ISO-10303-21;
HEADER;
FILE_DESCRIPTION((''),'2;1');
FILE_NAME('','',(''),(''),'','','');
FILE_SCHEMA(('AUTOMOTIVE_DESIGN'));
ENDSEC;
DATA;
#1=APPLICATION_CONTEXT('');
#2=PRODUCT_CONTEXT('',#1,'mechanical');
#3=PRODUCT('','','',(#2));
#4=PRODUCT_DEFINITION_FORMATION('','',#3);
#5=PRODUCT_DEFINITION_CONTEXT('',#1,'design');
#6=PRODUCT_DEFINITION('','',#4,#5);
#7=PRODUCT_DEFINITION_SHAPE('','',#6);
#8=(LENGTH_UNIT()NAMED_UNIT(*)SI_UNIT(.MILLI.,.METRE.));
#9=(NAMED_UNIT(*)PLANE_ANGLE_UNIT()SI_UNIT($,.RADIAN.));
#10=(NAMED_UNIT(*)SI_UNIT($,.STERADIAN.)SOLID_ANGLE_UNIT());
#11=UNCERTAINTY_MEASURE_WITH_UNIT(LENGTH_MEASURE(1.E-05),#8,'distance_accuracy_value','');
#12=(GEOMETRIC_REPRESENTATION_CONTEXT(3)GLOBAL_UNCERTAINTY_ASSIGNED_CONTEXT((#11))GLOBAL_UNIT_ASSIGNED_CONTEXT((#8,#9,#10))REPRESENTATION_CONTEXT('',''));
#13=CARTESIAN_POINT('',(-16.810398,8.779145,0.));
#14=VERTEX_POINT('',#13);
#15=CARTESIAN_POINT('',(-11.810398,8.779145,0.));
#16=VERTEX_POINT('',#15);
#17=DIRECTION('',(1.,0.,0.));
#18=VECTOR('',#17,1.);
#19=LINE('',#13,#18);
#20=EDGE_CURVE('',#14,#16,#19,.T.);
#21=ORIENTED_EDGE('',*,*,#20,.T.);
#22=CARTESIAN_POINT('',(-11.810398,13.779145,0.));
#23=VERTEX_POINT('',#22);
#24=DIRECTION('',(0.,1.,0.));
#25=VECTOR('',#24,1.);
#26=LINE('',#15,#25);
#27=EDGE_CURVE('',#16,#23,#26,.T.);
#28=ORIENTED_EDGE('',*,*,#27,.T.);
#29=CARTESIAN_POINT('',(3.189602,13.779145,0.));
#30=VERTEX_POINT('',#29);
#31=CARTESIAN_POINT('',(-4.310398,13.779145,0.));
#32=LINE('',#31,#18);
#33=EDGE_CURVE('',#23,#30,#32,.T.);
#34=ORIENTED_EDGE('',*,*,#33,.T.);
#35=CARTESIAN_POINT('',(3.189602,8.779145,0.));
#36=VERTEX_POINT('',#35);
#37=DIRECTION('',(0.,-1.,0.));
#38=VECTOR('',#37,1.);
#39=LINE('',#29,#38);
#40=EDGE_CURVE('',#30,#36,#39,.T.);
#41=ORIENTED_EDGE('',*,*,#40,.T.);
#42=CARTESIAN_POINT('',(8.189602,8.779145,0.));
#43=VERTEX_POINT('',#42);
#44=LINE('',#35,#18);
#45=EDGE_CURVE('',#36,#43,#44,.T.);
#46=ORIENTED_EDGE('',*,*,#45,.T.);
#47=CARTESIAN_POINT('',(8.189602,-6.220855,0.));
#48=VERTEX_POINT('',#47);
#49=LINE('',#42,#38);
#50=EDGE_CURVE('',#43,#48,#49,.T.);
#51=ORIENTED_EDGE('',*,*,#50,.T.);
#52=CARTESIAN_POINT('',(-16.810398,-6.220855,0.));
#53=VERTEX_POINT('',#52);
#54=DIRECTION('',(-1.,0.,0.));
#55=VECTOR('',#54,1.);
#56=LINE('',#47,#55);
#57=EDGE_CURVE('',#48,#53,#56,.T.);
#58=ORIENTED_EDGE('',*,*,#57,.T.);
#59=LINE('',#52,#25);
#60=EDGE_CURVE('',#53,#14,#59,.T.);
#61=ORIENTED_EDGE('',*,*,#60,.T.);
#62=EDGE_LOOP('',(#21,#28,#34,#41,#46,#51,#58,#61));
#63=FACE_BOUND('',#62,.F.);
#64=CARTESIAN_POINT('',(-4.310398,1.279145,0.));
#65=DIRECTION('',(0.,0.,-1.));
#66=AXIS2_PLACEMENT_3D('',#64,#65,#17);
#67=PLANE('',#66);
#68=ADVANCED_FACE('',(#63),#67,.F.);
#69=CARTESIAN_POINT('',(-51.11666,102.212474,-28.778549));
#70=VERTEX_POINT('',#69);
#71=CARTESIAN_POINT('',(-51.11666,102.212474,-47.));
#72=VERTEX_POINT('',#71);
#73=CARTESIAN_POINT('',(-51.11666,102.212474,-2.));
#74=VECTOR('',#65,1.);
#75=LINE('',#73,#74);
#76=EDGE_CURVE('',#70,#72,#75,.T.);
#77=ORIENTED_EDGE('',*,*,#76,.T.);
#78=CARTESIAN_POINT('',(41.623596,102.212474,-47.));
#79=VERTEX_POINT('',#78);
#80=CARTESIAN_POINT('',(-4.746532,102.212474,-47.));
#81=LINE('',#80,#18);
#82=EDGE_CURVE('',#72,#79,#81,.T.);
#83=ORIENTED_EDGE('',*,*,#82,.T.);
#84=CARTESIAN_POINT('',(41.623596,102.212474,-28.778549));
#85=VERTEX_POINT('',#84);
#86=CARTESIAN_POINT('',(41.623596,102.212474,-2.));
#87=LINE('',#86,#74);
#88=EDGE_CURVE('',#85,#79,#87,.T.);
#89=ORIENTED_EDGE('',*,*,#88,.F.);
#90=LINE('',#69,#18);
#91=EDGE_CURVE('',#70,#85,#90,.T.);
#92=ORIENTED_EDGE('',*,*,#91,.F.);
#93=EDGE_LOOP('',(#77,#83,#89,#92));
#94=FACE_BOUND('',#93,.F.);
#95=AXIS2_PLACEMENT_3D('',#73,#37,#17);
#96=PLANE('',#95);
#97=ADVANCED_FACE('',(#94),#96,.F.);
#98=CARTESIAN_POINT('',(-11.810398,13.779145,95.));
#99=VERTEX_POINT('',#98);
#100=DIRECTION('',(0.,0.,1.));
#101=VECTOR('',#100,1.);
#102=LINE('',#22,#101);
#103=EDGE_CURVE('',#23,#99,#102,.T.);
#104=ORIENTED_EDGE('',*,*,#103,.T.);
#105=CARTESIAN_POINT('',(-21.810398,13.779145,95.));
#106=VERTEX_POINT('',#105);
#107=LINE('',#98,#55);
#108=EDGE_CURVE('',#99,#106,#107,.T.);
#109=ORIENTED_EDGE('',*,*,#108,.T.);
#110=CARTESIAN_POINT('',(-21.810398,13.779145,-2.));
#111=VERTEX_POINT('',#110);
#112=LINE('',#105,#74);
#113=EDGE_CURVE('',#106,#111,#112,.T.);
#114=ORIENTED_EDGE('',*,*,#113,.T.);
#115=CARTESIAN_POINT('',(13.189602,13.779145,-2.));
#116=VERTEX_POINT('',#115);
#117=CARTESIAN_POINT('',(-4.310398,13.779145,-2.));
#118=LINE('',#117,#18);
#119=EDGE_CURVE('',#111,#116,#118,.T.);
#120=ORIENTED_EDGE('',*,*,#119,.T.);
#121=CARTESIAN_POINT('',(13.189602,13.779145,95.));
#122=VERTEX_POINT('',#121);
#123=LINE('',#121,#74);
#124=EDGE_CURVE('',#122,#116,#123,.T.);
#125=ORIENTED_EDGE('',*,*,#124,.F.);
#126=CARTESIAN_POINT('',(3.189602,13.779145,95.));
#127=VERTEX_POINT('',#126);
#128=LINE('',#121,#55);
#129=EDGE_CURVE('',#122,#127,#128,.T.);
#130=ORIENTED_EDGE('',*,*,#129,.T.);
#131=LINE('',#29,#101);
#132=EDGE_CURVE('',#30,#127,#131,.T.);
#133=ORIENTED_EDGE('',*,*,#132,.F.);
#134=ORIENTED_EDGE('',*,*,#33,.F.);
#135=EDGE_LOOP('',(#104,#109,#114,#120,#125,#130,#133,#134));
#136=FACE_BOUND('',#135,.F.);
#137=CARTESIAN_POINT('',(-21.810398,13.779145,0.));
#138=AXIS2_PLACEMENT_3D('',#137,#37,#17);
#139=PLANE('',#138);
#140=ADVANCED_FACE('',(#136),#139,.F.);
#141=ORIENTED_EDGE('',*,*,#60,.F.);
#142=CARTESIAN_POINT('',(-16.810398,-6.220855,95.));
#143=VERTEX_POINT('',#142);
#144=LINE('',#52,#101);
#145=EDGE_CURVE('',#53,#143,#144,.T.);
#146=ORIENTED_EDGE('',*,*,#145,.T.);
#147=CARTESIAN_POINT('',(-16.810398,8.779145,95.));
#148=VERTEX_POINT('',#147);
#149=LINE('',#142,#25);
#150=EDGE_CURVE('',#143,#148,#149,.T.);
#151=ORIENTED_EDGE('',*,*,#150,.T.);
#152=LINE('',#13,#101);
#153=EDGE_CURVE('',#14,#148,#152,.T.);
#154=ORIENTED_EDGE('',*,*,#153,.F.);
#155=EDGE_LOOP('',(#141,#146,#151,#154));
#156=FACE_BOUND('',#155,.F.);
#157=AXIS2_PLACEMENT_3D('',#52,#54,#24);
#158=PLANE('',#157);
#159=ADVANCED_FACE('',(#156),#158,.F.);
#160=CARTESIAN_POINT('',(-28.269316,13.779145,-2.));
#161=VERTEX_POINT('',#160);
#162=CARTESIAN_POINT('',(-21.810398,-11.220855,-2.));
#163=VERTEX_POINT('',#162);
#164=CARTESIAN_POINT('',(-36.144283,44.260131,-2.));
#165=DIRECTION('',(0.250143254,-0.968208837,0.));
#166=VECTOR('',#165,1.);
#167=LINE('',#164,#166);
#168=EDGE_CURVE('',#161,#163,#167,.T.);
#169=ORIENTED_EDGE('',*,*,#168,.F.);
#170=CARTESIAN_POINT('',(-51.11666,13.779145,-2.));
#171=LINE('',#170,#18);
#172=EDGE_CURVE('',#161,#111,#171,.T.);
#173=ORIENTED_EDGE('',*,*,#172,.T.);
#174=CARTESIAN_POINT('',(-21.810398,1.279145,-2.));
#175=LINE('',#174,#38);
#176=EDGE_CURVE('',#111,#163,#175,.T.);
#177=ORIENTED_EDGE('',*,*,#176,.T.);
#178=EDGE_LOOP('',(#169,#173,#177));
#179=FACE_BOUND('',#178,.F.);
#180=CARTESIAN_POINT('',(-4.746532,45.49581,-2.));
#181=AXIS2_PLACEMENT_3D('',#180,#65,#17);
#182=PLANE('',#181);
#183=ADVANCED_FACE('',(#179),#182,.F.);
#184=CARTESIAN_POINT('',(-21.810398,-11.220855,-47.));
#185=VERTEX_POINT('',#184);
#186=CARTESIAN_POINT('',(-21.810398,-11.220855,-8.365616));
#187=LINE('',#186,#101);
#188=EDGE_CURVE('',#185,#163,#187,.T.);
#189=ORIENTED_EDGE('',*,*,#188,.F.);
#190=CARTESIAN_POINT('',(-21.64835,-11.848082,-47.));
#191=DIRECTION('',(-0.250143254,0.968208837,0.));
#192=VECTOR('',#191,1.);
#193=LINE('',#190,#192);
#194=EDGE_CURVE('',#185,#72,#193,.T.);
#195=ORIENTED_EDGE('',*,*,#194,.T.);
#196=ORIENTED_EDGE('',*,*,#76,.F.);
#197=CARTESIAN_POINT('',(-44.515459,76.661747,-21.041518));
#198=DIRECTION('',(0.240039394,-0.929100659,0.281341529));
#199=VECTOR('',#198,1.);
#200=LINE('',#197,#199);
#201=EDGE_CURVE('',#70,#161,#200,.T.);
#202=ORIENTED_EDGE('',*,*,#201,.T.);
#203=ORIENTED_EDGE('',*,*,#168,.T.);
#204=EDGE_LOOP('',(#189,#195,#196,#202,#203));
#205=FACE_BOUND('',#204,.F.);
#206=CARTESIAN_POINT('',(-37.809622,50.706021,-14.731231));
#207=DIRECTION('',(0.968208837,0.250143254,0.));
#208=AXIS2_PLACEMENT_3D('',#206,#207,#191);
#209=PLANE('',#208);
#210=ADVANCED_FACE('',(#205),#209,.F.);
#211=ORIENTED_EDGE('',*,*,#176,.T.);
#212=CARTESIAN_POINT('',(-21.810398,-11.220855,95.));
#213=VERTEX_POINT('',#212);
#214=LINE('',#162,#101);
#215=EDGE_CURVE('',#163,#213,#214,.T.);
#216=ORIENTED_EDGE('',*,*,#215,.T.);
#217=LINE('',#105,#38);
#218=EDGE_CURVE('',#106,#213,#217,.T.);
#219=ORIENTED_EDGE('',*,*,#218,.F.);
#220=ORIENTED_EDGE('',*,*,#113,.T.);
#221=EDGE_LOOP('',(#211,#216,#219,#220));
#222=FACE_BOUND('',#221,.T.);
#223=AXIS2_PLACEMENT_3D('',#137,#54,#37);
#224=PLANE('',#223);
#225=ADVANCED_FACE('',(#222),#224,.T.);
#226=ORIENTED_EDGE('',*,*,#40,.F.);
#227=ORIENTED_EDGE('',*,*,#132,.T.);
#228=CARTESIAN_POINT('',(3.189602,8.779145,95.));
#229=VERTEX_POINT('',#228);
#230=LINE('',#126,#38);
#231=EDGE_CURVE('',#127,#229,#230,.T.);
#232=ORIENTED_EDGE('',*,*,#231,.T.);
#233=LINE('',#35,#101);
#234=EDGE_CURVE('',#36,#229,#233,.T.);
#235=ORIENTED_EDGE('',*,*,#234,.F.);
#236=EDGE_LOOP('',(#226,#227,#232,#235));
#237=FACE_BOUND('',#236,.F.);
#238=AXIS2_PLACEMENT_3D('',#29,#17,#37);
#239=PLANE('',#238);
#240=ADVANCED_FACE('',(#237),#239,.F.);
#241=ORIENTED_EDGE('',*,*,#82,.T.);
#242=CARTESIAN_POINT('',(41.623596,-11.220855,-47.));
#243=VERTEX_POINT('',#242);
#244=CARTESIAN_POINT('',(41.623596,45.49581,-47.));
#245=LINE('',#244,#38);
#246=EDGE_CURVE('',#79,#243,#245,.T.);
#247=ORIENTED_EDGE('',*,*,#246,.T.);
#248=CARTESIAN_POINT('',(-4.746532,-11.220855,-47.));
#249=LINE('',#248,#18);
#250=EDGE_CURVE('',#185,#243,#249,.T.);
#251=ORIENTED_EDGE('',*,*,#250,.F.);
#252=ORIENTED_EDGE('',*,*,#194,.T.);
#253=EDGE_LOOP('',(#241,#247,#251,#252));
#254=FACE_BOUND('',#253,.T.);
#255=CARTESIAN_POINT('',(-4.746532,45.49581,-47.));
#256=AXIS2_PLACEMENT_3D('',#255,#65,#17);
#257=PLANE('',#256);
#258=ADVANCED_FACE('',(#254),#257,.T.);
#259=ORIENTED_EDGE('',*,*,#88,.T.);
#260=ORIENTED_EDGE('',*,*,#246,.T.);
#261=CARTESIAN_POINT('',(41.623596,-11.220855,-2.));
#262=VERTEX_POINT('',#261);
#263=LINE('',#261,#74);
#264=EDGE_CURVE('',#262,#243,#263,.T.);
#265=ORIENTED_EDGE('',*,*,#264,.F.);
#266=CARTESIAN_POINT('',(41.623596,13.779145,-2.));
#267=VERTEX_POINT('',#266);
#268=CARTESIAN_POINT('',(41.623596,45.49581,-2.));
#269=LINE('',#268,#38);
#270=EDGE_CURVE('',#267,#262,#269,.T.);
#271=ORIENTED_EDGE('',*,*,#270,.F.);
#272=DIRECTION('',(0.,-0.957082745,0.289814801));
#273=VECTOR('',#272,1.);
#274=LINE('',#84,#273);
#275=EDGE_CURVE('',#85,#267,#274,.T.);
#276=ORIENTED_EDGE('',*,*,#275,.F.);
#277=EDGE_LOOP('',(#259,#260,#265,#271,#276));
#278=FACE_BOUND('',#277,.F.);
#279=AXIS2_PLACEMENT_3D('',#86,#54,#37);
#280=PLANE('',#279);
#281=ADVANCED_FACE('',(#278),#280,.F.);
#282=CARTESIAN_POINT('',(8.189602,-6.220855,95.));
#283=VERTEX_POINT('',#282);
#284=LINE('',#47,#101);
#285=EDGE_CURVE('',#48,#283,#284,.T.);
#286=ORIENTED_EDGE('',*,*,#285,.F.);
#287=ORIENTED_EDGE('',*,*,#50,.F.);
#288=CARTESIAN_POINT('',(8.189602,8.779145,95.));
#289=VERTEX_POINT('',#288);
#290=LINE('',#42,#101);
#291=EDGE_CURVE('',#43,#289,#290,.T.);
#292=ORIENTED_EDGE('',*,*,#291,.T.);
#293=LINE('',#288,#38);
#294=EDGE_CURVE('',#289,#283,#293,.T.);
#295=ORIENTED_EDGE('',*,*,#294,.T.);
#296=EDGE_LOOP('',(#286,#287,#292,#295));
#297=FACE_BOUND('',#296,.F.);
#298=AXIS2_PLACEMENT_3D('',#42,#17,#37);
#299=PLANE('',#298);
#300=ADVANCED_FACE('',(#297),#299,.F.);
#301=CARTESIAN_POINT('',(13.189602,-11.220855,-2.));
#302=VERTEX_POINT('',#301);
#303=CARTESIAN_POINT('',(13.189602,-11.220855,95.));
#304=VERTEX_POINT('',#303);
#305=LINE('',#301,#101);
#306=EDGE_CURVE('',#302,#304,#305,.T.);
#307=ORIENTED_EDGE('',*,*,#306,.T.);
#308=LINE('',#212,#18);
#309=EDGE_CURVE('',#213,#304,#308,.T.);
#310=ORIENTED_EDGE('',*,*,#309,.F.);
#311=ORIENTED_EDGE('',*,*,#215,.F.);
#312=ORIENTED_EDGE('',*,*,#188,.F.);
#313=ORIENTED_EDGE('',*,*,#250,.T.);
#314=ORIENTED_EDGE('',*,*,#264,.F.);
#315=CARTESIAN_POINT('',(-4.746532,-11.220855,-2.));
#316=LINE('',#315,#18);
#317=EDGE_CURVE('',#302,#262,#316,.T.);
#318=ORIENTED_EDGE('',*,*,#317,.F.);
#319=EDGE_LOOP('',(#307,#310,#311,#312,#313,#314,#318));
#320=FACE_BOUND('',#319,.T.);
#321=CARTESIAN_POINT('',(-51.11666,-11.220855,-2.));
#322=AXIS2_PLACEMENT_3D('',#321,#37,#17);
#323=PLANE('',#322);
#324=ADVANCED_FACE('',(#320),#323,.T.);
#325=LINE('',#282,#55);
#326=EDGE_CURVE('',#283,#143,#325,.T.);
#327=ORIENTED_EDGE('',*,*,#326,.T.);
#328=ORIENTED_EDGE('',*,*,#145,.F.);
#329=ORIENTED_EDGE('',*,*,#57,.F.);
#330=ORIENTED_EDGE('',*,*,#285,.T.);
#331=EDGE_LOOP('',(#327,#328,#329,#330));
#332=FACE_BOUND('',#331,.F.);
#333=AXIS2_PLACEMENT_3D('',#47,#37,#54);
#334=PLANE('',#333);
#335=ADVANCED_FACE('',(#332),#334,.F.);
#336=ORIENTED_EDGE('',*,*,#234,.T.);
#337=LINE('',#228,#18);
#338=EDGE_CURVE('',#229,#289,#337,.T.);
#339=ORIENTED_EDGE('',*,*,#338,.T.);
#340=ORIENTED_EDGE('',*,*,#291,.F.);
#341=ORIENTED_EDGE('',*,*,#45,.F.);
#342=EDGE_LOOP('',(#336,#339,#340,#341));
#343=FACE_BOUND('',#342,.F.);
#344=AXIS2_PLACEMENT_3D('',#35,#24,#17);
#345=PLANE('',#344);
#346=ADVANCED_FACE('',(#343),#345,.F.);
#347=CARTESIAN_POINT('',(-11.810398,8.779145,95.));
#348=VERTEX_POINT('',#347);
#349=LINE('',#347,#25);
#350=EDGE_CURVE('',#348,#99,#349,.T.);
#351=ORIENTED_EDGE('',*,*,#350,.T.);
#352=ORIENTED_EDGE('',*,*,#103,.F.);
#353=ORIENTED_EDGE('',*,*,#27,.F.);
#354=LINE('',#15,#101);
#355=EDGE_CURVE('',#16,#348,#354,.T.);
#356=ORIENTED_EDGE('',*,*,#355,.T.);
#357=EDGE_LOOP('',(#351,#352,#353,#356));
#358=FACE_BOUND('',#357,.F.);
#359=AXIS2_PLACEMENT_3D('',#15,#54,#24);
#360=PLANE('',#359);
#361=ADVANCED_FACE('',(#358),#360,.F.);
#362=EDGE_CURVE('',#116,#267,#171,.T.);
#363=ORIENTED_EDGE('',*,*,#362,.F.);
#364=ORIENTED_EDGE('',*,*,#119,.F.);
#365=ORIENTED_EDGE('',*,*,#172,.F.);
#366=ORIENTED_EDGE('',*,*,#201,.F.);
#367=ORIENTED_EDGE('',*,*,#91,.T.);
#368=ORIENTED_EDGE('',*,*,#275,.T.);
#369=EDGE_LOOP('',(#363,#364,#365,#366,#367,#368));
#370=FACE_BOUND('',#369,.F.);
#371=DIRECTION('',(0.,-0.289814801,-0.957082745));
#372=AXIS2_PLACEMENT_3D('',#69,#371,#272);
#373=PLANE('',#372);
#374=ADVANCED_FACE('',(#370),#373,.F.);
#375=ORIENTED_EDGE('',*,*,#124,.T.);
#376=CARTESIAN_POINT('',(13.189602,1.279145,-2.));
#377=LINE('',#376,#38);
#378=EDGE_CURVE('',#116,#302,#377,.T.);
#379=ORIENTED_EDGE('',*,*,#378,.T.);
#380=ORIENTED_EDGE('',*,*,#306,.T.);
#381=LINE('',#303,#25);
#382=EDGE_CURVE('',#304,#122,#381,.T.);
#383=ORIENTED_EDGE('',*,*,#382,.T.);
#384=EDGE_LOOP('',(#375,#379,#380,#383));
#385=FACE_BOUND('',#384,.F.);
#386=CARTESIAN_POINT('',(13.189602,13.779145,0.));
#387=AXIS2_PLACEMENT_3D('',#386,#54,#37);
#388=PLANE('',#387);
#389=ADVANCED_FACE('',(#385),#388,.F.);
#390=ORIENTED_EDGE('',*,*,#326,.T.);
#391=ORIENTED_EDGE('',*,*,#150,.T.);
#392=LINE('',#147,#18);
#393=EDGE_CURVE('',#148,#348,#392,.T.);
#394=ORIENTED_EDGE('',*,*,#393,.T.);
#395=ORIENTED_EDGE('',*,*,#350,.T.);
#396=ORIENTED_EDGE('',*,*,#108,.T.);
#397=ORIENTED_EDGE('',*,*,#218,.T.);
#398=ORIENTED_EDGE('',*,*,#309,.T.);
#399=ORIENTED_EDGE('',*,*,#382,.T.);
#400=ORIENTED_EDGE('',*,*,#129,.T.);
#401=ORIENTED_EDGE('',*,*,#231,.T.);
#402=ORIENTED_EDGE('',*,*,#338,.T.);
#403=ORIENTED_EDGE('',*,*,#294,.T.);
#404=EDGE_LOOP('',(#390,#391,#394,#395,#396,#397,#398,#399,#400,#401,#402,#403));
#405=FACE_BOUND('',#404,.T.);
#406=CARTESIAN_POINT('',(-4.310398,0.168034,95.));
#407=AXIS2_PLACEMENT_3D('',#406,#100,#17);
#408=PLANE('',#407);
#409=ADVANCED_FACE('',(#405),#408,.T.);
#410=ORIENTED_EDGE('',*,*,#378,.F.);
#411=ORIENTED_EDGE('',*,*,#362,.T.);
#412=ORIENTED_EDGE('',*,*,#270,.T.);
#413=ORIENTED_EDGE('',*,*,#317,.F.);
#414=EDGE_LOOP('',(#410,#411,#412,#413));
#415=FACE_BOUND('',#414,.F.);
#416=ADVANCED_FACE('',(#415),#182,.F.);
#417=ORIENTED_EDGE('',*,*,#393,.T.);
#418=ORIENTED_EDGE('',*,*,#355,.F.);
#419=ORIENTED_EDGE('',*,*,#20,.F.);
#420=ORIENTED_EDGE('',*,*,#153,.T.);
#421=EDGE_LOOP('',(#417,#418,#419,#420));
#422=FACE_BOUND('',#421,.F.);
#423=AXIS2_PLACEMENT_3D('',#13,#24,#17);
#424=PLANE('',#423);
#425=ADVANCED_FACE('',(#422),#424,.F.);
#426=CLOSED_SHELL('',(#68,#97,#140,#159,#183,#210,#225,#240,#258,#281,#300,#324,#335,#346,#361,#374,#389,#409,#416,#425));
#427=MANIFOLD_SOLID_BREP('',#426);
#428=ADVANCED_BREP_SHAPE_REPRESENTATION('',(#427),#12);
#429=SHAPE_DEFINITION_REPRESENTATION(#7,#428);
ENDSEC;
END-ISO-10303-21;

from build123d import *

# Parameters (mm, degrees)
F1_DEPTH  = 95
F2_W      = 35
F2_H      = 25
F3_DEPTH  = 2
F4_W      = 92.7402563393
F4_H      = 113.4333282709
F5_DEPTH  = 45
F7_DEPTH  = 92.7402563393
F10_DEPTH = 47.8


with BuildPart() as f1:
    # F0 (on Top) → F1 (new body)
    with BuildSketch(Plane.XY):
        Polygon((-21.8103982317, -11.2208545208), (13.1896017683, -11.2208545208), (13.1896017683, 13.7791454792), (3.1896017683, 13.7791454792), (3.1896017683, 8.7791454792), (8.1896017683, 8.7791454792), (8.1896017683, -6.2208545208), (-16.8103982317, -6.2208545208), (-16.8103982317, 8.7791454792), (-11.8103982317, 8.7791454792), (-11.8103982317, 13.7791454792), (-21.8103982317, 13.7791454792), align=None)
    extrude(amount=F1_DEPTH)

    # F2 (on face) → F3 (join)
    with BuildSketch(Plane(origin=(0, 0, 0), x_dir=(1, 0, 0), z_dir=(0, 0, -1))):
        with Locations((-4.3103982317, -1.2791454792)):
            Rectangle(F2_W, F2_H)
    extrude(amount=F3_DEPTH)

    # F4 (on face) → F5 (join)
    with BuildSketch(Plane(origin=(0, 0, -2), x_dir=(1, 0, 0), z_dir=(0, 0, -1))):
        with Locations((-4.7465320677, -45.4958096147)):
            Rectangle(F4_W, F4_H)
    extrude(amount=F5_DEPTH)

    # F6 (on face) → F7 (cut, through all)
    with BuildSketch(Plane(origin=(-51.1166602373, 0, 0), x_dir=(0, -1, 0), z_dir=(-1, 0, 0))):
        Polygon((-102.2124737501, -28.7785492837), (-13.7791454792, -2), (-102.2124737501, -2), align=None)
    extrude(amount=-F7_DEPTH, mode=Mode.SUBTRACT)

    # F9 (on 3pt) → F10 (cut)
    with BuildSketch(Plane(origin=(-23.1632746384, -5.9843875324, 0), x_dir=(-0.2501432541, 0.9682088372, 0), z_dir=(0.9682088372, 0.2501432541, 0))):
        Polygon((111.7495080876, 32.3685184121), (-5.4084065206, -2), (-6.0562286526, -47), (111.7495080876, -47), align=None)
    extrude(amount=-F10_DEPTH, mode=Mode.SUBTRACT)


solid = f1.part
